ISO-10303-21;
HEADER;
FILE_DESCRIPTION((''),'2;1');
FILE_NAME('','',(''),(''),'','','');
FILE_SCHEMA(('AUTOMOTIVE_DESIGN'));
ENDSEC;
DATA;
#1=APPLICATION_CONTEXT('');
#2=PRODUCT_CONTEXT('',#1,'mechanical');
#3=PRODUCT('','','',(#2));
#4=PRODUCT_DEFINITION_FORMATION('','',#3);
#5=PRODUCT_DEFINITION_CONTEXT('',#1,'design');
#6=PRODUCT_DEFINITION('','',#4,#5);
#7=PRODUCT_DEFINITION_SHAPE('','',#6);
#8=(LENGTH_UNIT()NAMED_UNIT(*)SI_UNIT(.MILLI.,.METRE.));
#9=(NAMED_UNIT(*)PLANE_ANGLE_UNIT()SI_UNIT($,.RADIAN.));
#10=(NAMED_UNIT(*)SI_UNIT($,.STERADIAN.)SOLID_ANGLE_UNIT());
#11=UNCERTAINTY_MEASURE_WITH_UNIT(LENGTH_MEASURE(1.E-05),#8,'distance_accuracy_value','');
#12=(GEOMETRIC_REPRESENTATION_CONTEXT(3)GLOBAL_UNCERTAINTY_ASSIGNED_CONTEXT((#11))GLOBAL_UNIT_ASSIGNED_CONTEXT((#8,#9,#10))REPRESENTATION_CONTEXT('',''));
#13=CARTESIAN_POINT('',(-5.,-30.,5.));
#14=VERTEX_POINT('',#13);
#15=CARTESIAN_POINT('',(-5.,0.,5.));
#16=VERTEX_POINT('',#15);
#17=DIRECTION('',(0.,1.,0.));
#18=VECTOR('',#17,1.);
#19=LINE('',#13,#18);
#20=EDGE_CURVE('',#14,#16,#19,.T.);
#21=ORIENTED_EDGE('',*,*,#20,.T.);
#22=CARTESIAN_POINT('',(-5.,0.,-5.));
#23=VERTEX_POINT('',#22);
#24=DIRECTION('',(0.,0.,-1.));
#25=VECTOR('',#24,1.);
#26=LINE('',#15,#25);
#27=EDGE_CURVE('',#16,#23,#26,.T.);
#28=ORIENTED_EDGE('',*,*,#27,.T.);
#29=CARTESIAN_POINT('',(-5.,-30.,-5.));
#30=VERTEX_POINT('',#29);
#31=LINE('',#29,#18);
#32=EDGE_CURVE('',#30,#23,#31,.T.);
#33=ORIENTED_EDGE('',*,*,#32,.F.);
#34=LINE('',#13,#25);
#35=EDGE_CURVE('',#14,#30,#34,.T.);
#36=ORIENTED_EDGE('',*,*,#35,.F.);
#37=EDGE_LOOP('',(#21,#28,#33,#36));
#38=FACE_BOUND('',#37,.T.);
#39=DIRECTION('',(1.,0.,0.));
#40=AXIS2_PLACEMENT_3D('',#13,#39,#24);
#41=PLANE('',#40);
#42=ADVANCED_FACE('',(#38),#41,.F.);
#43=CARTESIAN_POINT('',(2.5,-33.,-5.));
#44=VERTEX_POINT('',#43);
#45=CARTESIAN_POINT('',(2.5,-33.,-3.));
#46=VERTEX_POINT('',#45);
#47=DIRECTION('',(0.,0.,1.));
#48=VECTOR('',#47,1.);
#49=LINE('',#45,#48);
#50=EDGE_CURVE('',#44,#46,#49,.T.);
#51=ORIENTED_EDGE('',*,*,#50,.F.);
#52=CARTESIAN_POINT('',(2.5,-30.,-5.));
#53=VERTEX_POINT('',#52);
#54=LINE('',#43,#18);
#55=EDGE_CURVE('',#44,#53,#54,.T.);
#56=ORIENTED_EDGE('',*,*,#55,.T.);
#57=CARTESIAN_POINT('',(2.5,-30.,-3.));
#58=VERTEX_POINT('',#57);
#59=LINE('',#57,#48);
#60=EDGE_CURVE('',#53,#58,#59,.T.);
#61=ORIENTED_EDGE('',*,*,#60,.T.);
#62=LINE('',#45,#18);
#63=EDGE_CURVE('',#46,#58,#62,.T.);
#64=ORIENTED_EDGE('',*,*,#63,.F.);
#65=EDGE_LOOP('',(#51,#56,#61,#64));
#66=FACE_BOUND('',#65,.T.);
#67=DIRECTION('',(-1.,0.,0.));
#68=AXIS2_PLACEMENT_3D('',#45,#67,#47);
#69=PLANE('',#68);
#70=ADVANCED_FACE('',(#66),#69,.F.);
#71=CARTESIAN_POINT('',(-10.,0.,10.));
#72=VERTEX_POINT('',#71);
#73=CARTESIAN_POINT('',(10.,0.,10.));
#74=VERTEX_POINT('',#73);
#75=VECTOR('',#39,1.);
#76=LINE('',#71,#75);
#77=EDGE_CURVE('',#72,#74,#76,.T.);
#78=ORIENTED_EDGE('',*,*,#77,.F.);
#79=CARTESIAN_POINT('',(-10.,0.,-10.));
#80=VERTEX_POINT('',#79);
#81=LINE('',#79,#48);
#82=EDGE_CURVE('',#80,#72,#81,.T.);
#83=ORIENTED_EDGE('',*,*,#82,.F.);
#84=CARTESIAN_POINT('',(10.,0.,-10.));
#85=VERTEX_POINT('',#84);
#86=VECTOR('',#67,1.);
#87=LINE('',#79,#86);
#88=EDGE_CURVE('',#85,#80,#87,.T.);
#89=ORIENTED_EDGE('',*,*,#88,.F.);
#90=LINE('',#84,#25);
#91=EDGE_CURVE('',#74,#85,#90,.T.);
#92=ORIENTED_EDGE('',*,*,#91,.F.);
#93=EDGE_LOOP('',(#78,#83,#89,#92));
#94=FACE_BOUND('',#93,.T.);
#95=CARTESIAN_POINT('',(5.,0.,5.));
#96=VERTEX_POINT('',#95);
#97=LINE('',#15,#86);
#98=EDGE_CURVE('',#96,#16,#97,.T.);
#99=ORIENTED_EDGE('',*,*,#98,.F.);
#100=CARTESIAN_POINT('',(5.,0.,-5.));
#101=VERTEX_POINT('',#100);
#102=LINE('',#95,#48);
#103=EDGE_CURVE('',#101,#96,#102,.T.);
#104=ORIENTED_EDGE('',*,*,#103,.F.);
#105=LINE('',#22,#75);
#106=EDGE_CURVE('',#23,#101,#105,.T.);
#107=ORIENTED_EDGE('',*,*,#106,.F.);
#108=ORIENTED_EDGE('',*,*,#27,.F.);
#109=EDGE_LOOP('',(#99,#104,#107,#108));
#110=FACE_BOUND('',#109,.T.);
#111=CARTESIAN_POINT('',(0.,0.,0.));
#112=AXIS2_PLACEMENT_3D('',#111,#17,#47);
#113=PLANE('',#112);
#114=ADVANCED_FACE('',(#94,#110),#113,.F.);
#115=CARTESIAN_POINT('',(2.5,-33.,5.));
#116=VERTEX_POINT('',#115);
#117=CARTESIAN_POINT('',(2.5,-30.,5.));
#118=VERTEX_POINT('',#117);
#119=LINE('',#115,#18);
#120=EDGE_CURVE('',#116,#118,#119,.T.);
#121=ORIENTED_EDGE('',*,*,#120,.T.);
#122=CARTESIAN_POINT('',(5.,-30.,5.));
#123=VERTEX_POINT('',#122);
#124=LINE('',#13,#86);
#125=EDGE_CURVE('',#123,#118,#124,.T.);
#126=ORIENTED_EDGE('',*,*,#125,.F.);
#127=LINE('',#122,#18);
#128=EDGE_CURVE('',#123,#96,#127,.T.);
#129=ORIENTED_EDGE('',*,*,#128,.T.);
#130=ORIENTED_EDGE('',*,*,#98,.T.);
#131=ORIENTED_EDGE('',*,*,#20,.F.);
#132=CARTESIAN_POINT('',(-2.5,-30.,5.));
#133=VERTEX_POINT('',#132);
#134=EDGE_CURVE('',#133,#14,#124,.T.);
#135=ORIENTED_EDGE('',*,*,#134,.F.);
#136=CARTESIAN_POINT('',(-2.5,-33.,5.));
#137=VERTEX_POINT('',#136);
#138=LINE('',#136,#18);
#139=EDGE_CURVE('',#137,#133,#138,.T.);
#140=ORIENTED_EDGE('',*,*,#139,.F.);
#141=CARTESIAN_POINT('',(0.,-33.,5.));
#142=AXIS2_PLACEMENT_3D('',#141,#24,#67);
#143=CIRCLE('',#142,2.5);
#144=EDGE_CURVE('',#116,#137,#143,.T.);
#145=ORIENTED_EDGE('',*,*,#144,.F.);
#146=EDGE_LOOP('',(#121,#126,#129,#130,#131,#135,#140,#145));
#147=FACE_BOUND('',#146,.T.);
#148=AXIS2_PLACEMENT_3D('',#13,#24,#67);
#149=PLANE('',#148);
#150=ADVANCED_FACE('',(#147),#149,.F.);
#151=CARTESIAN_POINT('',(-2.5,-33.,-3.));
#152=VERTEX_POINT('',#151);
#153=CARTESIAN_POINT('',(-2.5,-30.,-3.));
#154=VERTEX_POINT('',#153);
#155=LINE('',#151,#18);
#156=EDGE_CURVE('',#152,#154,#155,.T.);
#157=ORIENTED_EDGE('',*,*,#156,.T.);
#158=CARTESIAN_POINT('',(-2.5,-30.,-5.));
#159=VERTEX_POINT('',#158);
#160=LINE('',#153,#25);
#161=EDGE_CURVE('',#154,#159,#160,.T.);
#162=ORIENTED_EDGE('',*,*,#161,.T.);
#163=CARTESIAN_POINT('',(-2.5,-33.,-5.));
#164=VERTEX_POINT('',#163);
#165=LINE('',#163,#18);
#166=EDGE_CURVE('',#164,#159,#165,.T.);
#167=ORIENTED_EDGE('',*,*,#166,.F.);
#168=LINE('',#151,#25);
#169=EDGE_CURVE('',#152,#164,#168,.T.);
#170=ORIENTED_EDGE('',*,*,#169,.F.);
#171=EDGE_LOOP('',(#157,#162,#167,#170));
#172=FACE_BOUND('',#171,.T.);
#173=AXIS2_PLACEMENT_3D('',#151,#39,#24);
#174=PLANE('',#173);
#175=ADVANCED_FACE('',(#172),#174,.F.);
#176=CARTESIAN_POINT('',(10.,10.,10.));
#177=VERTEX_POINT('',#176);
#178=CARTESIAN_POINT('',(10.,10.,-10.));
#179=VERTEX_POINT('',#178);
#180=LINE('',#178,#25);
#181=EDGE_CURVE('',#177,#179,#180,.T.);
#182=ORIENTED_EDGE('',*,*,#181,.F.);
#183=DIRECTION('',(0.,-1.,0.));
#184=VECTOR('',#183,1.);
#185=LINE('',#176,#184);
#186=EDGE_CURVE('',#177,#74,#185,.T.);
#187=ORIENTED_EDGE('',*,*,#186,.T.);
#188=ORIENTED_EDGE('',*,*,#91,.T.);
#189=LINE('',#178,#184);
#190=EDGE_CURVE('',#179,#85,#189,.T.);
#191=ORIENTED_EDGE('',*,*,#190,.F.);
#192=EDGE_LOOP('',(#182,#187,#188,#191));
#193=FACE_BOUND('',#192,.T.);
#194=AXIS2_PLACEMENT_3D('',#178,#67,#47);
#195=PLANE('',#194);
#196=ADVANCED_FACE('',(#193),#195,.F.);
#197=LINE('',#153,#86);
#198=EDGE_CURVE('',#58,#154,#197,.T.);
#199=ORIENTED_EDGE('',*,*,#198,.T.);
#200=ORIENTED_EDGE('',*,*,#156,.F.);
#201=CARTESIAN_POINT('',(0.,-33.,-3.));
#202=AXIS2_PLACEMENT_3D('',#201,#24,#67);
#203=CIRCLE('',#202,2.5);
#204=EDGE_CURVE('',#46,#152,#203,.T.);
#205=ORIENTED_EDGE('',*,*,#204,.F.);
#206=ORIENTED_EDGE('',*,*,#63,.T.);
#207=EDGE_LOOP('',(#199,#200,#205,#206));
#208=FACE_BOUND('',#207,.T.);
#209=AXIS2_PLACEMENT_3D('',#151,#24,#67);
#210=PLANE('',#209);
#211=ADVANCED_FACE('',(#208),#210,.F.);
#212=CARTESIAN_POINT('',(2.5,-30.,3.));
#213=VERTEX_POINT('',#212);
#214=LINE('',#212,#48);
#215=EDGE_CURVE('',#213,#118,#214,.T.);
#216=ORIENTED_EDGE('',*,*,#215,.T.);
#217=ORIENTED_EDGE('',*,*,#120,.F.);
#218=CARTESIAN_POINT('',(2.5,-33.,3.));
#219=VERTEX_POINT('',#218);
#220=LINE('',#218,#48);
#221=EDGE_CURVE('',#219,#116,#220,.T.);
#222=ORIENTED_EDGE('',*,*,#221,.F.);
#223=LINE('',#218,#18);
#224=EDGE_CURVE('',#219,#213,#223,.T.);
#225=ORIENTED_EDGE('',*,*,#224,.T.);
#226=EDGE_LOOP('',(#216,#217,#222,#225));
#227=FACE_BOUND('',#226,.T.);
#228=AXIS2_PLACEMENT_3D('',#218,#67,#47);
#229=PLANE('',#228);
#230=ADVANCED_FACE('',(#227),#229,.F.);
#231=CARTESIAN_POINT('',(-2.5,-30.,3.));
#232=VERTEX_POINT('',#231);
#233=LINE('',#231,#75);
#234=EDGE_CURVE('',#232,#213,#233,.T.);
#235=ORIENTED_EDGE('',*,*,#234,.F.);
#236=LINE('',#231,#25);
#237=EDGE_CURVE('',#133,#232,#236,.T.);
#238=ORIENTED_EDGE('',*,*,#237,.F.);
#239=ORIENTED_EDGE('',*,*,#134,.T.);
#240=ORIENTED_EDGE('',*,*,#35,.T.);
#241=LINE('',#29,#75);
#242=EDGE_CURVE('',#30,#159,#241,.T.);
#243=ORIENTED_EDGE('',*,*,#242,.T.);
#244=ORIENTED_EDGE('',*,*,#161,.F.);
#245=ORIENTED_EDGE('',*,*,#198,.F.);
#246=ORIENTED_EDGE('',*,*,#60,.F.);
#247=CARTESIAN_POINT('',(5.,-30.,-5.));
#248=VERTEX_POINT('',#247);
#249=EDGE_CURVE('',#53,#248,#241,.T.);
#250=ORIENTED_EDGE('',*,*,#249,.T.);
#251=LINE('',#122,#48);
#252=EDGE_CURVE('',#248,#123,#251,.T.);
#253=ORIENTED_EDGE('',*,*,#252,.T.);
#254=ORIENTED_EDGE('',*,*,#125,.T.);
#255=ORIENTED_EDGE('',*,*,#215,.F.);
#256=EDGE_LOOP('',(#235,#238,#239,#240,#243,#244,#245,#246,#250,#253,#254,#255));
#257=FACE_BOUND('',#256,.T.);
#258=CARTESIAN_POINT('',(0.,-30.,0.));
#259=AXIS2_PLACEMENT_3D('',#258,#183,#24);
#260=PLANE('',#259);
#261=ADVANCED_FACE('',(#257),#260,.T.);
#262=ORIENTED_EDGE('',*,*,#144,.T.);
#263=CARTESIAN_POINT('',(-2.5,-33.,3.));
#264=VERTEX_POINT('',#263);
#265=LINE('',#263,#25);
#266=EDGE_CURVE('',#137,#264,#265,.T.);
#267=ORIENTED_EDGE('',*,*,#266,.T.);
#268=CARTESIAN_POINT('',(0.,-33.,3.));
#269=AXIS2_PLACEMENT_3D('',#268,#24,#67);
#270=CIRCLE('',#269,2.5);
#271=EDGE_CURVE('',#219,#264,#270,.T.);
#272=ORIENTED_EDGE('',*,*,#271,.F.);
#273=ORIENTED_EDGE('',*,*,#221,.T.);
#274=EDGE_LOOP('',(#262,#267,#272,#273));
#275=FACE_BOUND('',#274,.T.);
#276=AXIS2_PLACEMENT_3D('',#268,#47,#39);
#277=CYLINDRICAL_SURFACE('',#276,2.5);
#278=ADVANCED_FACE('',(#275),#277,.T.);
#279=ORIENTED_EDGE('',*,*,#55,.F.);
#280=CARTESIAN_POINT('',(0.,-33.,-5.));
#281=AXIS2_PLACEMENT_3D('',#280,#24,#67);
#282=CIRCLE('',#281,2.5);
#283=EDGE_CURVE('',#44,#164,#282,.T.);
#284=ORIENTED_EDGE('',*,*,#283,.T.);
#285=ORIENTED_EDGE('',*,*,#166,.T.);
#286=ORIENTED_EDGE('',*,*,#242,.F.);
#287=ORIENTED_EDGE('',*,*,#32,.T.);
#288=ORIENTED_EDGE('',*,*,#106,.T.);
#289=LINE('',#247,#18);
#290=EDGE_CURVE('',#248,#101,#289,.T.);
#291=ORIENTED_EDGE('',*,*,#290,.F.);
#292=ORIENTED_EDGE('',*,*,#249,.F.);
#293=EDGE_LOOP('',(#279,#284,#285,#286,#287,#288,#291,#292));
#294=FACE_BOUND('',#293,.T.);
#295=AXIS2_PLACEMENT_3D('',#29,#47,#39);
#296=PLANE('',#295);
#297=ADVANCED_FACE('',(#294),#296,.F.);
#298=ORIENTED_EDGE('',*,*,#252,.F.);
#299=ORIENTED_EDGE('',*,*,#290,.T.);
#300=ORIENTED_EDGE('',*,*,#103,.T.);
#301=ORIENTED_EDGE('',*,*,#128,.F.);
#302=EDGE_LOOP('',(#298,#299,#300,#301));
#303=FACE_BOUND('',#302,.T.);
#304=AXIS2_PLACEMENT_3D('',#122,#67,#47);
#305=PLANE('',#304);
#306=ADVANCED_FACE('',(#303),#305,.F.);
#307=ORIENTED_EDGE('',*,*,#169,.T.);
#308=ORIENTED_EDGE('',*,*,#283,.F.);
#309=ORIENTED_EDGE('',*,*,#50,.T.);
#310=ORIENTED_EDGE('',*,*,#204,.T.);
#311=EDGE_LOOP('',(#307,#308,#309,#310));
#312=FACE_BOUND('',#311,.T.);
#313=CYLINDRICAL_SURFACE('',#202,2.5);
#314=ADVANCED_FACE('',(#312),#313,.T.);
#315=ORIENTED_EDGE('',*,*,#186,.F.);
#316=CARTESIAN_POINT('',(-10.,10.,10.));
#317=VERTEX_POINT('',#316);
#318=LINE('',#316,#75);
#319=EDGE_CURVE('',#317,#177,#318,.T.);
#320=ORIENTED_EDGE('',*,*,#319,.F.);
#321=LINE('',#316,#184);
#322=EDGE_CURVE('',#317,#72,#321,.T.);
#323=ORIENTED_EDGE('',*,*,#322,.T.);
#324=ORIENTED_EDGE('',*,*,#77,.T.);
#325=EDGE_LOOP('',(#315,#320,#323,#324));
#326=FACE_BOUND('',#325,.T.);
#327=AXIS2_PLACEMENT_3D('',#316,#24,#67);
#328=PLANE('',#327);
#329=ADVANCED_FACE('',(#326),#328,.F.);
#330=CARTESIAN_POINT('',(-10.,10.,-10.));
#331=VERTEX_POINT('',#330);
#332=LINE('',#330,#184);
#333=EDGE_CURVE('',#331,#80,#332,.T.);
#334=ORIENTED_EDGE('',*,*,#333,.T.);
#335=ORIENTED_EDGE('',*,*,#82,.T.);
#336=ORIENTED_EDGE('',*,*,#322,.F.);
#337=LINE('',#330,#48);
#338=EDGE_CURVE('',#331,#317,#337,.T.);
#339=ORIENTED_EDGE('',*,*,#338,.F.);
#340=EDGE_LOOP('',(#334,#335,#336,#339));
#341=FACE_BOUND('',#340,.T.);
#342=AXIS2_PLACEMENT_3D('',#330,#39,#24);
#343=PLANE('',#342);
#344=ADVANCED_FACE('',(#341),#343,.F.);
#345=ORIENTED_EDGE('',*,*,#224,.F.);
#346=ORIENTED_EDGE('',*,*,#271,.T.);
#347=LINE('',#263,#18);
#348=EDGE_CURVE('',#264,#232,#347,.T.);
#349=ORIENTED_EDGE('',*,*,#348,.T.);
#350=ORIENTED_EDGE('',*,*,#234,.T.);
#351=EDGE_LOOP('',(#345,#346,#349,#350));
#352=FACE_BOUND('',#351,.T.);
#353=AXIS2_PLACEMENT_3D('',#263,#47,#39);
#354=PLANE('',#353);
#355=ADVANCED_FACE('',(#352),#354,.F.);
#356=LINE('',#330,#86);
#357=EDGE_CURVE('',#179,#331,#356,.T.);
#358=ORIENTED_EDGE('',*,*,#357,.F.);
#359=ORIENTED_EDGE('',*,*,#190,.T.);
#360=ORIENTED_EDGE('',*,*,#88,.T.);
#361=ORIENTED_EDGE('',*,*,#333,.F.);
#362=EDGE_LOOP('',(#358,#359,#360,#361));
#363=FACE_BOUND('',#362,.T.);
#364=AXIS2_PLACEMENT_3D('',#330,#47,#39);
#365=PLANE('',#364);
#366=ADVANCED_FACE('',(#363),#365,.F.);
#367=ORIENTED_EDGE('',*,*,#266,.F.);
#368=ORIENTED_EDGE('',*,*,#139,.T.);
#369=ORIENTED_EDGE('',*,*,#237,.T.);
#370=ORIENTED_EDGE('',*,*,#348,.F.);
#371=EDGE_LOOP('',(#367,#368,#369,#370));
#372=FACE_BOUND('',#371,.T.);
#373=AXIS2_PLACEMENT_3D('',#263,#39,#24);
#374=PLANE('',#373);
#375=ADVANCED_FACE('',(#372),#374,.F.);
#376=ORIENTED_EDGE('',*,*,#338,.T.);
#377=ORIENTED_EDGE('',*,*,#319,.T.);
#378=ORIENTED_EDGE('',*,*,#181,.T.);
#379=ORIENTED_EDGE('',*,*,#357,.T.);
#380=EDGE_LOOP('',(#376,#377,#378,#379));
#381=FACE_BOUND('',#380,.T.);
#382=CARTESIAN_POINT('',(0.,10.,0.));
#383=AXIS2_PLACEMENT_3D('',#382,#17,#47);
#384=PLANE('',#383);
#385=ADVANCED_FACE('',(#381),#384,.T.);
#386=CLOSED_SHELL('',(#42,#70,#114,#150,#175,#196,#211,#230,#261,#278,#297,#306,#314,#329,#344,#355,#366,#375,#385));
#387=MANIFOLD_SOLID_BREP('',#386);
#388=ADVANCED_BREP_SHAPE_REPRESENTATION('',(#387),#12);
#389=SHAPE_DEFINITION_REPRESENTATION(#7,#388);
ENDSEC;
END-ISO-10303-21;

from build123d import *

# Parameters (mm, degrees)
SKETCH1_W           = 20
SKETCH1_H           = 20
BOSS_EXTRUDE1_DEPTH = 10
SKETCH2_W           = 10
SKETCH2_H           = 10
BOSS_EXTRUDE2_DEPTH = 30
SKETCH3_W           = 5
SKETCH3_H           = 2
BOSS_EXTRUDE3_DEPTH = 3
SKETCH4_R           = 2.5
BOSS_EXTRUDE4_DEPTH = 2


with BuildPart() as part:
    # Sketch1 → Boss-Extrude1 (new body)
    with BuildSketch(Plane(origin=(0, 0, 0), x_dir=(1, 0, 0), z_dir=(0, 1, 0))):
        Rectangle(SKETCH1_W, SKETCH1_H)
    extrude(amount=BOSS_EXTRUDE1_DEPTH)

    # Sketch2 → Boss-Extrude2 (add)
    with BuildSketch(Plane(origin=(0, 0, 0), x_dir=(-1, 0, 0), z_dir=(0, -1, 0))):
        Rectangle(SKETCH2_W, SKETCH2_H)
    extrude(amount=BOSS_EXTRUDE2_DEPTH)

    # Sketch3 → Boss-Extrude3 (add)
    with BuildSketch(Plane(origin=(0, -30, 0), x_dir=(-1, 0, 0), z_dir=(0, -1, 0))):
        with Locations((0, 4)):
            Rectangle(SKETCH3_W, SKETCH3_H)
        with Locations((0, -4)):
            Rectangle(SKETCH3_W, SKETCH3_H)
    extrude(amount=BOSS_EXTRUDE3_DEPTH)

    # Sketch4 → Boss-Extrude4 (add)
    with BuildSketch(Plane(origin=(0, 0, -5), x_dir=(1, 0, 0), z_dir=(0, 0, -1))):
        with Locations((0, 33)):
            Circle(SKETCH4_R)
    boss_extrude4 = extrude(amount=-BOSS_EXTRUDE4_DEPTH)

    # Mirror2: Boss-Extrude4 across plane
    add(boss_extrude4.mirror(Plane.XY))


solid = part.part
